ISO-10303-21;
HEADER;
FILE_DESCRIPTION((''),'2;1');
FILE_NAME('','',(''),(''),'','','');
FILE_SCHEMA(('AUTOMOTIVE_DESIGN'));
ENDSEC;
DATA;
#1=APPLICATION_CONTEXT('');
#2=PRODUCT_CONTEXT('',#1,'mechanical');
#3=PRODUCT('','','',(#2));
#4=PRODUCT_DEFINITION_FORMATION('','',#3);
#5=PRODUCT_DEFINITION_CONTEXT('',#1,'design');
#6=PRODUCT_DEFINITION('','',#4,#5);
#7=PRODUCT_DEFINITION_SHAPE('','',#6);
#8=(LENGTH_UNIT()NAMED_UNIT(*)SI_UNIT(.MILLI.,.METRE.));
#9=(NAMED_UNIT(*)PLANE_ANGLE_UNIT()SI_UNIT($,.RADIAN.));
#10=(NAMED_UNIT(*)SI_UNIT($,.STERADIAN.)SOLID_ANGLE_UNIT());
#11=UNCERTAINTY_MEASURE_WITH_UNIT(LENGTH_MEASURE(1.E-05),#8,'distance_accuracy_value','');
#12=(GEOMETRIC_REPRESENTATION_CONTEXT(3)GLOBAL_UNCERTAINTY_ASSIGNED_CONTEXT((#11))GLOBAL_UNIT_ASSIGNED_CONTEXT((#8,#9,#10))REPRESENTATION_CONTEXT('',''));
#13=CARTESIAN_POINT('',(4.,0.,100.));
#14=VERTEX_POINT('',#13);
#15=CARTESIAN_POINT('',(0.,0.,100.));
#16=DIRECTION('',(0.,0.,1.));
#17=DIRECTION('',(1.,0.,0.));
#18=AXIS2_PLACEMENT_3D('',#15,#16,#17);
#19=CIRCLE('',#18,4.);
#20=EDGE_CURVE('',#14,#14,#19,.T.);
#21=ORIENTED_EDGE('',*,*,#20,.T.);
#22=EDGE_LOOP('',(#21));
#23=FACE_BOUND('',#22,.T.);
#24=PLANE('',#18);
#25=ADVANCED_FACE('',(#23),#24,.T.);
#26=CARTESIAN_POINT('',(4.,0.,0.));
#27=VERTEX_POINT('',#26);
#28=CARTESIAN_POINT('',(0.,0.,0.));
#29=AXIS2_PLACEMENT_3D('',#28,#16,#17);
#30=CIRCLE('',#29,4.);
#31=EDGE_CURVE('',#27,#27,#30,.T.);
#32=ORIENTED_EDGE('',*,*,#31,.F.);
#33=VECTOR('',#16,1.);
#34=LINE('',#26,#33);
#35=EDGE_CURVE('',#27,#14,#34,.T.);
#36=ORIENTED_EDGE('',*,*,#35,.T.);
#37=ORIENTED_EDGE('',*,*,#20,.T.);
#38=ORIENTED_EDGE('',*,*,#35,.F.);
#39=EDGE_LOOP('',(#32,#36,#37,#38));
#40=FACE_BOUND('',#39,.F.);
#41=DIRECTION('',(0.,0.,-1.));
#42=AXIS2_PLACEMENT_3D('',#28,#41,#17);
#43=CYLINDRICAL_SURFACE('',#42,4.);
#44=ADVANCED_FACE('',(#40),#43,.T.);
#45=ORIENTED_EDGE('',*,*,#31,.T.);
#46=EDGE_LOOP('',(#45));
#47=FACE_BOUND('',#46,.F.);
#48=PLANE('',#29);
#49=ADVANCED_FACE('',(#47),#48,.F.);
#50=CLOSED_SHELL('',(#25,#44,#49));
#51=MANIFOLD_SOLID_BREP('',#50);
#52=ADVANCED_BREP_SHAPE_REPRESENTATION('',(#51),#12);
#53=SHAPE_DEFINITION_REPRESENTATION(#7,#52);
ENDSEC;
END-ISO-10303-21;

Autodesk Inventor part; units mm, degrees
ref_plane "YZ Plane" through (0, 0, 0) normal (1, 0, 0) x (0, 1, 0)
ref_plane "XZ Plane" through (0, 0, 0) normal (0, 1, 0) x (-1, 0, 0)
ref_plane "XY Plane" through (0, 0, 0) normal (0, 0, 1) x (1, 0, 0)
sketch "Boceto1" plane through (0, 0, 0) normal (0, 0, 1) x (1, 0, 0)
  circle A0 centre (0, 0) radius 4
  dimension "d0" = 8
extrude "Extrusión1" add sketch "Boceto1" along normal blind 100
properties part number "Barra M8"
